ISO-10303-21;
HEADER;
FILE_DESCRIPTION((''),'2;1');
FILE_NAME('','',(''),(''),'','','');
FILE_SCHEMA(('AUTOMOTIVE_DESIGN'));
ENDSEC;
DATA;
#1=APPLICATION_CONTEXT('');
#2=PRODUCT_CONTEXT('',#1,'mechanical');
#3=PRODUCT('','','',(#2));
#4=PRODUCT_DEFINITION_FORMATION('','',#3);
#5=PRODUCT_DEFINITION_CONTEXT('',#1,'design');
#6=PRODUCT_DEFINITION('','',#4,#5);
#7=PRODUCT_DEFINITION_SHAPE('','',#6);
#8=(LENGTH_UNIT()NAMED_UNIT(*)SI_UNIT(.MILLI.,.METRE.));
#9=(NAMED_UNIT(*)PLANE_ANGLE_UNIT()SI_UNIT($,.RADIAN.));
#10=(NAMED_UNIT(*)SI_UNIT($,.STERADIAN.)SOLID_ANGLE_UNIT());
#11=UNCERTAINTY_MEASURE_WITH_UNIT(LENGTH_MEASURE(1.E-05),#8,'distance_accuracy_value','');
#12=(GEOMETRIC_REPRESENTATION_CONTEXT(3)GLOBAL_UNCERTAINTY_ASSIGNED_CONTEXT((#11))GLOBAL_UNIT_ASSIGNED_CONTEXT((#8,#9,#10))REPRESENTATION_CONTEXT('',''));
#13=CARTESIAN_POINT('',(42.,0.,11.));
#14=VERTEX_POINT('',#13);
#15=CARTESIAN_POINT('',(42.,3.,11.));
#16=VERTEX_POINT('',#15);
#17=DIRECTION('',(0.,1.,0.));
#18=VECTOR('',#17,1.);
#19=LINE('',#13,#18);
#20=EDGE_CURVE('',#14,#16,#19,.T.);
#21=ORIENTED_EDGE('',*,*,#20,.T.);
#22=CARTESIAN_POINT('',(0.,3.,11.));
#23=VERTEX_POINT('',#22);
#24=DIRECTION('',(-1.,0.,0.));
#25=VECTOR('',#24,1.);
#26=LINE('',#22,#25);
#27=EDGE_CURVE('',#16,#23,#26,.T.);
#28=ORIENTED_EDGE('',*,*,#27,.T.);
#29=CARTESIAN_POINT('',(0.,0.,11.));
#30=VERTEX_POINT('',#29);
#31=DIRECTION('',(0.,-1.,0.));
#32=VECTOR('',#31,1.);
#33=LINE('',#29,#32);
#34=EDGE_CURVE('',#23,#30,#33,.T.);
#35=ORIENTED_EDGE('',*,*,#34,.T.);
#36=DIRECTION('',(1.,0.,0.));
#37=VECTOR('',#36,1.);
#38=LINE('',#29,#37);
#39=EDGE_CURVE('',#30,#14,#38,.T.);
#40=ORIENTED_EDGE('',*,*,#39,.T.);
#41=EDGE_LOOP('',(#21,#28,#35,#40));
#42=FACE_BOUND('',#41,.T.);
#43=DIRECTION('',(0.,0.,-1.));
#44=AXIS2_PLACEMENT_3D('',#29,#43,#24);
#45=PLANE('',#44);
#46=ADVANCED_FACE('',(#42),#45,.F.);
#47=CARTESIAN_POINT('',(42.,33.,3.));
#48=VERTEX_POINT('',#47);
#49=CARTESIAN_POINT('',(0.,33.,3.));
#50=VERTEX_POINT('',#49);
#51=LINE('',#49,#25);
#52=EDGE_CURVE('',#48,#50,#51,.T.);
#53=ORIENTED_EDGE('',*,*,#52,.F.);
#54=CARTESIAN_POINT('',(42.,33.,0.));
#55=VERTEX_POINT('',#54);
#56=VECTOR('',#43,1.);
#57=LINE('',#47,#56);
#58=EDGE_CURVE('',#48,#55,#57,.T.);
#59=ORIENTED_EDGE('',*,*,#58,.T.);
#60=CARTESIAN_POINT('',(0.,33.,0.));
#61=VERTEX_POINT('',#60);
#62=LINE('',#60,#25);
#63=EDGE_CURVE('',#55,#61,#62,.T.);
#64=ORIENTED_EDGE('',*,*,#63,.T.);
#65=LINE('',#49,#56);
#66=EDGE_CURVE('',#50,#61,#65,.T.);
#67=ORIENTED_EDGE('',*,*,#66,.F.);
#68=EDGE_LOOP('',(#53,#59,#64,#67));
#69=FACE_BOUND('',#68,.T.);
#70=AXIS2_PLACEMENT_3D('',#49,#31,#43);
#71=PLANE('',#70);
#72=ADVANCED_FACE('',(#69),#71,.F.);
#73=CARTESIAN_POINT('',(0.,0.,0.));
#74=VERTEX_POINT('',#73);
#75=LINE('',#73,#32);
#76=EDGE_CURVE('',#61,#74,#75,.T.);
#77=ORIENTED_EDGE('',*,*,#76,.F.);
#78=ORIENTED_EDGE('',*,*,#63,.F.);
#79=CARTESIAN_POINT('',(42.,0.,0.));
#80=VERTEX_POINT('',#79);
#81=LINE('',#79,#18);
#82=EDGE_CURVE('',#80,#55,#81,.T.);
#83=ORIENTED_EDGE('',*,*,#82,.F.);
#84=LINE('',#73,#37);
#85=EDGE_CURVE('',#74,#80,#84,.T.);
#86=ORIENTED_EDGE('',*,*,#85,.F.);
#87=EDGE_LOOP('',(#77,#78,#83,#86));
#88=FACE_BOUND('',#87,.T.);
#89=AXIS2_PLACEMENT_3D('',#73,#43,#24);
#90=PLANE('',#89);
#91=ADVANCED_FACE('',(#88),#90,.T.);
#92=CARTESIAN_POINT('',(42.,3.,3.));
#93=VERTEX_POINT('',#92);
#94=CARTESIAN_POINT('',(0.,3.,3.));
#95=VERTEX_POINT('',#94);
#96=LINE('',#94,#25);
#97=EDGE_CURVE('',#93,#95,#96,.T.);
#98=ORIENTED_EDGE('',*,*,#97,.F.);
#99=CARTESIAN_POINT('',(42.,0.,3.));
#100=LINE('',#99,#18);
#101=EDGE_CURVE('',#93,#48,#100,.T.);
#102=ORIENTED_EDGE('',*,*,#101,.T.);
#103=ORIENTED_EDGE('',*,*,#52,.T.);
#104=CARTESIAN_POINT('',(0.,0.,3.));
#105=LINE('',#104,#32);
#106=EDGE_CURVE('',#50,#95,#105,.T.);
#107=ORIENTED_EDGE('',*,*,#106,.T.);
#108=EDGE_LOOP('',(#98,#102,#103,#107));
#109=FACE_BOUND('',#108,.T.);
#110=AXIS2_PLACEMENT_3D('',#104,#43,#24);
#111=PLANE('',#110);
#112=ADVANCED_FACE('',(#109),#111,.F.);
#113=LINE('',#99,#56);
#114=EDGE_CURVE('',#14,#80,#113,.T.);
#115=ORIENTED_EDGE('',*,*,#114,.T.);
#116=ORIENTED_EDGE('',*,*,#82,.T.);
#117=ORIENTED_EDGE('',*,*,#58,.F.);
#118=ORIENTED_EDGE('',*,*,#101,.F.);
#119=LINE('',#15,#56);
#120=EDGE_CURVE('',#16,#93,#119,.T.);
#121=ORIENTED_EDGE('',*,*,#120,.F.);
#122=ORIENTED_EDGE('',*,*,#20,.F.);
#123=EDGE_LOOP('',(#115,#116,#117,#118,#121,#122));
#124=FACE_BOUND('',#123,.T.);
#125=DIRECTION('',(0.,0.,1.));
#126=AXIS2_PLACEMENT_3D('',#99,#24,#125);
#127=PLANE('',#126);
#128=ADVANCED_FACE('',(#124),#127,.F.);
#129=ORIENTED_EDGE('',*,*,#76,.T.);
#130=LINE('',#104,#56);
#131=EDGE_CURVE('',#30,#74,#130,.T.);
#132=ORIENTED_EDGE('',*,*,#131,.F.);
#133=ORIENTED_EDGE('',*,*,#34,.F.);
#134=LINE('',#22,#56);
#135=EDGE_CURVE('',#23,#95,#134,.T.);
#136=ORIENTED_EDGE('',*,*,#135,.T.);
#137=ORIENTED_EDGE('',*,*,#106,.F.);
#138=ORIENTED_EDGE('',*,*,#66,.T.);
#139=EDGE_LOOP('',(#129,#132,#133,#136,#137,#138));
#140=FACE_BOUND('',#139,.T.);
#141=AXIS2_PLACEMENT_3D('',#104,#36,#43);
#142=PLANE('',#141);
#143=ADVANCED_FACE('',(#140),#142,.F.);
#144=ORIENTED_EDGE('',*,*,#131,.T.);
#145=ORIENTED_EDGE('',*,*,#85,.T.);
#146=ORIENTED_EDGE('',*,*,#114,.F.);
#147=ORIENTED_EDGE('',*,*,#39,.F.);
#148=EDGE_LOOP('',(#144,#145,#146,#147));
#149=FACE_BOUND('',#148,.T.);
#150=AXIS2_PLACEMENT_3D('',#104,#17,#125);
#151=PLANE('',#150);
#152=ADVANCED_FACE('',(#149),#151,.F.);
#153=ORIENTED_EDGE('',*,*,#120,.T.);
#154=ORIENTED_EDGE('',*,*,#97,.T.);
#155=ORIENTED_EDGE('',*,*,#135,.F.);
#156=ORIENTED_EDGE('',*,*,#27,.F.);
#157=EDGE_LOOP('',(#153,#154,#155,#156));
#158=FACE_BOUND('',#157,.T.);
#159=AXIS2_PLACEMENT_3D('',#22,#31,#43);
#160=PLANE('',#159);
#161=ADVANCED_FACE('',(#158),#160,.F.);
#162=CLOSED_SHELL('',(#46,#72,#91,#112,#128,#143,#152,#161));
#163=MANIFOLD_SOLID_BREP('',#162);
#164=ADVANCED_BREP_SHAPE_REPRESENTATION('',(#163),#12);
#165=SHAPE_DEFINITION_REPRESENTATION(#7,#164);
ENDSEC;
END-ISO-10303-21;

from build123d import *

# Parameters (mm, degrees)
SKETCH1_W           = 42
SKETCH1_H           = 33
BOSS_EXTRUDE1_DEPTH = 3
SKETCH2_W           = 42
SKETCH2_H           = 3
BOSS_EXTRUDE2_DEPTH = 8


with BuildPart() as part:
    # Sketch1 → Boss-Extrude1 (new body)
    with BuildSketch(Plane.XY):
        with Locations((21, 16.5)):
            Rectangle(SKETCH1_W, SKETCH1_H)
    extrude(amount=BOSS_EXTRUDE1_DEPTH)

    # Sketch2 → Boss-Extrude2 (add)
    with BuildSketch(Plane.XY.offset(3)):
        with Locations((21, 1.5)):
            Rectangle(SKETCH2_W, SKETCH2_H)
    extrude(amount=BOSS_EXTRUDE2_DEPTH)


solid = part.part
